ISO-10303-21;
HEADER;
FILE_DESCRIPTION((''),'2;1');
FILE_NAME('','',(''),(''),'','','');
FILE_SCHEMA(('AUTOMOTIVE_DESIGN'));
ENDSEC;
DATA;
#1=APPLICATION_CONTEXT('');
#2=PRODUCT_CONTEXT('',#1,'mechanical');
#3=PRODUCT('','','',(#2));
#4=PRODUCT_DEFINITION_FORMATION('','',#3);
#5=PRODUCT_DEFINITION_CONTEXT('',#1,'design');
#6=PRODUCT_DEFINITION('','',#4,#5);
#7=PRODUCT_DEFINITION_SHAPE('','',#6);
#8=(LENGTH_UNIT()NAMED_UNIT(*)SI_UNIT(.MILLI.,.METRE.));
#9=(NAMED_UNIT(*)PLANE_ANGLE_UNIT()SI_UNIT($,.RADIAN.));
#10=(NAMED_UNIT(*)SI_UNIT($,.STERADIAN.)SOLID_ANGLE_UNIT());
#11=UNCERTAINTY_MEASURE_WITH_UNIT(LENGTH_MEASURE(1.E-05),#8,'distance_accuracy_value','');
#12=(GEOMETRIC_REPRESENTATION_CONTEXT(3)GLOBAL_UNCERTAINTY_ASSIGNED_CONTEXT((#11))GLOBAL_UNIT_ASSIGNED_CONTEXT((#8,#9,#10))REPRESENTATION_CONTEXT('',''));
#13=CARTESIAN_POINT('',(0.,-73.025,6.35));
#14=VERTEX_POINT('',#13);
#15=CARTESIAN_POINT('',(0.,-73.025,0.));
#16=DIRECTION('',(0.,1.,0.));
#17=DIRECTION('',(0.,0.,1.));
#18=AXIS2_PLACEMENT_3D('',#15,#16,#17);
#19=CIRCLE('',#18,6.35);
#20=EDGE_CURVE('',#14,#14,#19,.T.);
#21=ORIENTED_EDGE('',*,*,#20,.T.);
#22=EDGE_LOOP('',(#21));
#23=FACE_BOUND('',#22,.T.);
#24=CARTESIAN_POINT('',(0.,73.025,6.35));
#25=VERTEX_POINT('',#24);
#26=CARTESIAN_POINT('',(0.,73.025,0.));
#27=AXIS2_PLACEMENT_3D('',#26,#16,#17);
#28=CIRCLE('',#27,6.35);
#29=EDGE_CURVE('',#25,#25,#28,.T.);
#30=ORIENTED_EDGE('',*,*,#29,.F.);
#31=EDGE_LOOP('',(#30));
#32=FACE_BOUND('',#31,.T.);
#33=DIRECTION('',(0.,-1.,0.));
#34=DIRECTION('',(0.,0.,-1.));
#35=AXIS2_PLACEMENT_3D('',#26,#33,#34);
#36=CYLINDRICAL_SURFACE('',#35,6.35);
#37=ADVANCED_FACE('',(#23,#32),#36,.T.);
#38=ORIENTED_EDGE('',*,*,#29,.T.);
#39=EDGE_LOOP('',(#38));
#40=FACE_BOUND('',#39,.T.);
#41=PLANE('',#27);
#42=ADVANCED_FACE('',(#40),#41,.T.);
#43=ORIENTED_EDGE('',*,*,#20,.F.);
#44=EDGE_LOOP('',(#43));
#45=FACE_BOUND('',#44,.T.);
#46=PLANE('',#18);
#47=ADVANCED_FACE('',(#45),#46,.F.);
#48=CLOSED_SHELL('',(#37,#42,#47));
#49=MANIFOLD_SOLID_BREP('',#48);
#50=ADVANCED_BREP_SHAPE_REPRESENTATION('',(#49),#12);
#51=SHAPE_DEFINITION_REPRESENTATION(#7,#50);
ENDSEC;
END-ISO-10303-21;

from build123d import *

# Parameters (mm, degrees)
SKETCH1_R           = 6.35
BOSS_EXTRUDE1_DEPTH = 73.025


with BuildPart() as part:
    # Sketch1 → Boss-Extrude1 (new, symmetric)
    with BuildSketch(Plane(origin=(0, 0, 0), x_dir=(1, 0, 0), z_dir=(0, 1, 0))):
        with Locations(Location((0, 0, 0), (0, 0, 270))):
            Circle(SKETCH1_R)
    extrude(amount=BOSS_EXTRUDE1_DEPTH, both=True)


solid = part.part
